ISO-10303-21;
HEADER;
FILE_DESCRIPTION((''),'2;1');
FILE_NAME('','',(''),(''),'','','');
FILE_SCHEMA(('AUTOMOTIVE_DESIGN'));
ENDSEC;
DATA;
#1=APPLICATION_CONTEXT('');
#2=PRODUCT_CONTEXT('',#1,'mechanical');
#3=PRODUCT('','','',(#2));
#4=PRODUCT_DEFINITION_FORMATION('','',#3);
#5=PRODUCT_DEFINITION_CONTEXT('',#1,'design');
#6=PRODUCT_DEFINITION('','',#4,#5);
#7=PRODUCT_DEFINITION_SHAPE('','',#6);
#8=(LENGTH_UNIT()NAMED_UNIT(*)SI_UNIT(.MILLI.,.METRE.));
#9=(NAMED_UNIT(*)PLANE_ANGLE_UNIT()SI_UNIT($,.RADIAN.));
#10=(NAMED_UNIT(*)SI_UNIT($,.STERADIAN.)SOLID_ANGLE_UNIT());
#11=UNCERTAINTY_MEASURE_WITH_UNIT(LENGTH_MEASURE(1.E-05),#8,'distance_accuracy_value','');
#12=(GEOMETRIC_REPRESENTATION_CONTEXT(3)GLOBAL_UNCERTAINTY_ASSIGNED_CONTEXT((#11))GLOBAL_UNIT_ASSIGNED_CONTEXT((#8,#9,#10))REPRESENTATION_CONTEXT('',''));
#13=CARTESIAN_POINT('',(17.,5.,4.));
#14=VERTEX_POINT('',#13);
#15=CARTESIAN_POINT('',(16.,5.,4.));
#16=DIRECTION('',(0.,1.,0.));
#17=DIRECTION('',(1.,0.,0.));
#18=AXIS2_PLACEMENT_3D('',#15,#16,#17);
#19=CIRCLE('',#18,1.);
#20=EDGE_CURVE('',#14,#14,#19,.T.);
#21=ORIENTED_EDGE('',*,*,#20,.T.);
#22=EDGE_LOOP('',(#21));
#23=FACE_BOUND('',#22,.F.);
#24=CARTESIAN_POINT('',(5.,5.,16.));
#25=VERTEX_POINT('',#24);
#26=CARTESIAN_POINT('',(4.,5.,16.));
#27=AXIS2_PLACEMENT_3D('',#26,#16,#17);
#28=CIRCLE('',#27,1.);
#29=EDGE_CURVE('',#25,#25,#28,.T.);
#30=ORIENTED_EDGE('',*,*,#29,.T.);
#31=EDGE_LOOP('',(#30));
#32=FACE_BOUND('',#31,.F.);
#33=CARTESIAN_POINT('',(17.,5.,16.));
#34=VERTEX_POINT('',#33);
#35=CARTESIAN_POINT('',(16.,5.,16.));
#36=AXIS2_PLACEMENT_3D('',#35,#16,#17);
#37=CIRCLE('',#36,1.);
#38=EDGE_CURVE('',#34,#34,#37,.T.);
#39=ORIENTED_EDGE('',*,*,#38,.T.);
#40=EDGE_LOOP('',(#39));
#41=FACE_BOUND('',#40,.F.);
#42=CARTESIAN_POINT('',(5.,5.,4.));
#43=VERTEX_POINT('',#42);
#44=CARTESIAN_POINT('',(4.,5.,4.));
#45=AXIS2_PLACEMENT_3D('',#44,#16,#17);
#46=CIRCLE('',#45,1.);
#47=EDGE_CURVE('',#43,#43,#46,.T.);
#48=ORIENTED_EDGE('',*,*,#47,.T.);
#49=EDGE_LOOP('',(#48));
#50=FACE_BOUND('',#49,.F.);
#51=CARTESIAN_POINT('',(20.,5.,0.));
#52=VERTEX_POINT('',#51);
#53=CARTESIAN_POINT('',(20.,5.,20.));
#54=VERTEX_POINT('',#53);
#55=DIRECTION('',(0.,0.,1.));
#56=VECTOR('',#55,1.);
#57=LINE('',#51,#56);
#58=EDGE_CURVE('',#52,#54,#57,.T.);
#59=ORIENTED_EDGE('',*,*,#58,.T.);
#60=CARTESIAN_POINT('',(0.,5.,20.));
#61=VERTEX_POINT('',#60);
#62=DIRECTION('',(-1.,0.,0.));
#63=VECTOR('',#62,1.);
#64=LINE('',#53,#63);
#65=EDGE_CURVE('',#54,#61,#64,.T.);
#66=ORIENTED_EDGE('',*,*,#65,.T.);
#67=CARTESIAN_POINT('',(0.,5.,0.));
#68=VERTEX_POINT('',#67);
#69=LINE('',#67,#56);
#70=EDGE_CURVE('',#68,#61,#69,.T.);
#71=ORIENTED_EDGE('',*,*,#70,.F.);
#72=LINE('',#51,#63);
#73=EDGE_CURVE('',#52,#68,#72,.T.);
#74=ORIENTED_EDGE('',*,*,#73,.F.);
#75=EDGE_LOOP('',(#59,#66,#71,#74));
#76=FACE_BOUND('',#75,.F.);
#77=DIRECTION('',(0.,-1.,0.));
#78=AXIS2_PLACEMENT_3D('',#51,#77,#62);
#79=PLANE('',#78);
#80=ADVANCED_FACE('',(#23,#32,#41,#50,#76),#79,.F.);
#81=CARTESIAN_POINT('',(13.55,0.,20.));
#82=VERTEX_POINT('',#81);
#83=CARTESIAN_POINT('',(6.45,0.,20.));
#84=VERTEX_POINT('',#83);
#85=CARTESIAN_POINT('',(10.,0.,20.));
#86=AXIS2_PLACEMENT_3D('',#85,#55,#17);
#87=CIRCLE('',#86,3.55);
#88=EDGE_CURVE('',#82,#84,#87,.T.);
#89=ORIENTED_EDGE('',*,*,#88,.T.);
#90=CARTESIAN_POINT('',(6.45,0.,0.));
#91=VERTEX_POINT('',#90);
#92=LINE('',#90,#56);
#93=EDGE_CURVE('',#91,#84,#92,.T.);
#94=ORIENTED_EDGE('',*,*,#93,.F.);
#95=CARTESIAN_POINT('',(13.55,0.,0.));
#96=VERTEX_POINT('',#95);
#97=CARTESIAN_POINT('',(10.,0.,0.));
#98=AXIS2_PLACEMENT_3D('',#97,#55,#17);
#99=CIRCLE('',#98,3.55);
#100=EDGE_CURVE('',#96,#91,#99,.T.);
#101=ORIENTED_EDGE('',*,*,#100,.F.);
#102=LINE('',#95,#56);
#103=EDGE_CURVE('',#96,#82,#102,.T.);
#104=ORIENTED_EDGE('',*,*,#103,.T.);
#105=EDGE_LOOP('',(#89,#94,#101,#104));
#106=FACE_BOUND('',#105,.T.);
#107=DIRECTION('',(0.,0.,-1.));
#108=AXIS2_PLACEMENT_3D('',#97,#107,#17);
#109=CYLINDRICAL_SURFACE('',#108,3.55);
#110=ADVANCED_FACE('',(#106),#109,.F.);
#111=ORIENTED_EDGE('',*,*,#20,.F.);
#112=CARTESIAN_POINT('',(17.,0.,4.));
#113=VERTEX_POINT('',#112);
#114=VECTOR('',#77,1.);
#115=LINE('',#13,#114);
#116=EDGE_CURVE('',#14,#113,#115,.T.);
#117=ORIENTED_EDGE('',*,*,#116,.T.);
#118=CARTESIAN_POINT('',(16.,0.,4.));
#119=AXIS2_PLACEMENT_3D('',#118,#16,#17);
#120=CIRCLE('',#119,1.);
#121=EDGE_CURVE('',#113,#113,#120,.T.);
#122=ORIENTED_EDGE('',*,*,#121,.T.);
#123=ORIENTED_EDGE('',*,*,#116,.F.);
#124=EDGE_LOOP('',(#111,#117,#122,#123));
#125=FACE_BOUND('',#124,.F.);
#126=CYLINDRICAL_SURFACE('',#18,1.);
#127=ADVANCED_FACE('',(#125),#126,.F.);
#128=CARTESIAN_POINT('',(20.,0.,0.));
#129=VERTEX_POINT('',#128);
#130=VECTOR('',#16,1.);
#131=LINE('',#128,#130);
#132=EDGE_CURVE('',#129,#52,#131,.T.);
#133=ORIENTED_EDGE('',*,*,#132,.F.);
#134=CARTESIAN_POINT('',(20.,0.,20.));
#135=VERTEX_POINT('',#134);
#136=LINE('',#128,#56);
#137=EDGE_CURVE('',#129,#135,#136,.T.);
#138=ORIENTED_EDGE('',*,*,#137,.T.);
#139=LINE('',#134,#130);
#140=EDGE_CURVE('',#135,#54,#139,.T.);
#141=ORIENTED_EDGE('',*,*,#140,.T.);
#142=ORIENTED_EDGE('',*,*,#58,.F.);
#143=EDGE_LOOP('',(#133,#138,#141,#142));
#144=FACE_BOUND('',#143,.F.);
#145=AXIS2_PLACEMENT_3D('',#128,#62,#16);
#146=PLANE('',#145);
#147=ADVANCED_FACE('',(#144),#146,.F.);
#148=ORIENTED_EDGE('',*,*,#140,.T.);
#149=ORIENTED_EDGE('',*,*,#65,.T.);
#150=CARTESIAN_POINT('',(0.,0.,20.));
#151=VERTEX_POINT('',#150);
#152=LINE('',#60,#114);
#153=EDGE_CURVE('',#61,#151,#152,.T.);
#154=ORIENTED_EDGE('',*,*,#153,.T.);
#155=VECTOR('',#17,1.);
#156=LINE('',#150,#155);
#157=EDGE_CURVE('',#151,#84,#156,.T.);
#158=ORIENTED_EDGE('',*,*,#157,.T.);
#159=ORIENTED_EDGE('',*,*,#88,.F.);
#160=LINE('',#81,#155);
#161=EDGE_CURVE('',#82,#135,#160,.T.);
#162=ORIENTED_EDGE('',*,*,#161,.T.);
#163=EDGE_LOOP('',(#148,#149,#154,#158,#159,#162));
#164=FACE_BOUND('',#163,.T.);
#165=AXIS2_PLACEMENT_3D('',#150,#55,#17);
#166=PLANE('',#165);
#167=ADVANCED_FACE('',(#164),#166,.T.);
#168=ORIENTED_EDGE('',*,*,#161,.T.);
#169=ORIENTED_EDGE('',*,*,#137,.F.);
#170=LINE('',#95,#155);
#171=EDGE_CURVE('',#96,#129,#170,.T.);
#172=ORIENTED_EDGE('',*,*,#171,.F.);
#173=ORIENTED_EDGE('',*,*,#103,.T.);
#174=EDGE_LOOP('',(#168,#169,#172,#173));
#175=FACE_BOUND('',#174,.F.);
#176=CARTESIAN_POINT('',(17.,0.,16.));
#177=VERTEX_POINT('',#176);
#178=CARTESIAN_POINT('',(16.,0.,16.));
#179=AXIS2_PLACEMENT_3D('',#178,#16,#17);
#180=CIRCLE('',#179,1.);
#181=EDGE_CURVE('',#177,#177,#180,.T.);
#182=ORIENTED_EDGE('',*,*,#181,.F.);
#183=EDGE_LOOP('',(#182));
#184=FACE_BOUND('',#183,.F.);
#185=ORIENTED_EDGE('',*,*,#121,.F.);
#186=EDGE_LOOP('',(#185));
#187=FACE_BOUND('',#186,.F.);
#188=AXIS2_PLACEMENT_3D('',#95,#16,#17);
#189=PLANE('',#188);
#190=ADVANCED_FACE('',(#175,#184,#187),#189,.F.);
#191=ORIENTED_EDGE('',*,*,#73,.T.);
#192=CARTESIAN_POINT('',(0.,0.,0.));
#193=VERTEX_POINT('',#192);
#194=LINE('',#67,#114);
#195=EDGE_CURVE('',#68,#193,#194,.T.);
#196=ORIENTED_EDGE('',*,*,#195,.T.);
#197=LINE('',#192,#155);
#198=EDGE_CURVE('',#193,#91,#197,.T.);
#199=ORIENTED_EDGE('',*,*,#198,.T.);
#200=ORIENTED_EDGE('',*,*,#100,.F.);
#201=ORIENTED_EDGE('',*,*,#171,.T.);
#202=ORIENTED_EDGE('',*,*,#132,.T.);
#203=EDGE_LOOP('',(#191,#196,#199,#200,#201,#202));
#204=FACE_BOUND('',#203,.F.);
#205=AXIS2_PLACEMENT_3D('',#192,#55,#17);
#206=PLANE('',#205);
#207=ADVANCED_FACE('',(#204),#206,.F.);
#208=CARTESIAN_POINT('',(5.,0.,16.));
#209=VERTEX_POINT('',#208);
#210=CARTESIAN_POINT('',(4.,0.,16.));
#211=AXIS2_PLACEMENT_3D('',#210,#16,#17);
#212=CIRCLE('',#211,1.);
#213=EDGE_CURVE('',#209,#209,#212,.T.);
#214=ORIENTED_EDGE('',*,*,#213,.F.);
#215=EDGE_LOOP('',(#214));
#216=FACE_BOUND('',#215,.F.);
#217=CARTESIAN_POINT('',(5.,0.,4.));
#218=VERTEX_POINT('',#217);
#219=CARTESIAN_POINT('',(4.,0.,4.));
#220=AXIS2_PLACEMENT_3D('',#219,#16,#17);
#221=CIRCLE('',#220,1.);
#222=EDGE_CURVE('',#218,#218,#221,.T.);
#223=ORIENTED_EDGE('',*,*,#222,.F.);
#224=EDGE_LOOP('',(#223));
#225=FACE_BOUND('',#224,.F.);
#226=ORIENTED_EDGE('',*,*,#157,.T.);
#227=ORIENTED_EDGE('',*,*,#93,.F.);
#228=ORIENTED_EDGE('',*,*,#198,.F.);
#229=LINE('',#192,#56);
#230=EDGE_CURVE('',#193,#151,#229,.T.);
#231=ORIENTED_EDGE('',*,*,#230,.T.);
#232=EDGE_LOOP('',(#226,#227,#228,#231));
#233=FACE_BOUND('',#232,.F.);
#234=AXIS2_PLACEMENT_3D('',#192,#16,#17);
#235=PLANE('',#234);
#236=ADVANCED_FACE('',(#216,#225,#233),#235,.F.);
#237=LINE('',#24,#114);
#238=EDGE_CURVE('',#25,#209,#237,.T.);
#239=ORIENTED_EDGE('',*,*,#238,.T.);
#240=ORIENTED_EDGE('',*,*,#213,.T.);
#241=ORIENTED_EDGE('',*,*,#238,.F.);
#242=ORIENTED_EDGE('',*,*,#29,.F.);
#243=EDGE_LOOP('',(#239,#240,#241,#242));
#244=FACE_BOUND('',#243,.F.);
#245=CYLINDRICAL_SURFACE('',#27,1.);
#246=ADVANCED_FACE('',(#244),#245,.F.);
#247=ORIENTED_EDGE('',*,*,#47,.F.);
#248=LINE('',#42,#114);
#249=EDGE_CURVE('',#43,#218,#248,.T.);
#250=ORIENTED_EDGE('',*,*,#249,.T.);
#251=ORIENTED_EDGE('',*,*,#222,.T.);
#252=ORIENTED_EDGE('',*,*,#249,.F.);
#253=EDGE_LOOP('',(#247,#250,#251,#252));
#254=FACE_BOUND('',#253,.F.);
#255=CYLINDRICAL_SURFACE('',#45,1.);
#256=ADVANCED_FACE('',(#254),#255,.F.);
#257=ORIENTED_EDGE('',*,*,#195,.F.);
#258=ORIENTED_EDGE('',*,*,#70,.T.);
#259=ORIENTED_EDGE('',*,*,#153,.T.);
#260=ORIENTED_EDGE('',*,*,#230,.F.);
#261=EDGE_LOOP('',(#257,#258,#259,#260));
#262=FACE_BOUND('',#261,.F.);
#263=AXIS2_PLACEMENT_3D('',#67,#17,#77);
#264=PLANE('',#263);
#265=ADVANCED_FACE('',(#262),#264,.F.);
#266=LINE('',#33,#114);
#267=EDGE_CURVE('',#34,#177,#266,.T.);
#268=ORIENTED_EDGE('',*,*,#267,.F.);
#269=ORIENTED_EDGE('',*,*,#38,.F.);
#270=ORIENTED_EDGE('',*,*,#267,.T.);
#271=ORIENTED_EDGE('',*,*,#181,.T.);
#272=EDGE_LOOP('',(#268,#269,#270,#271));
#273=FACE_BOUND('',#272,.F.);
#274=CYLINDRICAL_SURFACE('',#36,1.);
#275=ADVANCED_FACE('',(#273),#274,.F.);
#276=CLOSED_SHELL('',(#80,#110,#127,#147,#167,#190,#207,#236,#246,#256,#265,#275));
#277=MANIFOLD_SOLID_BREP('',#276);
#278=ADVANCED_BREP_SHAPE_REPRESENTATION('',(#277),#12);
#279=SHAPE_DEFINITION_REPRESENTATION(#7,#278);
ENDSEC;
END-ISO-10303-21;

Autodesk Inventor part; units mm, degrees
ref_plane "YZ Plane" through (0, 0, 0) normal (1, 0, 0) x (0, 1, 0)
ref_plane "XZ Plane" through (0, 0, 0) normal (0, 1, 0) x (-1, 0, 0)
ref_plane "XY Plane" through (0, 0, 0) normal (0, 0, 1) x (1, 0, 0)
sketch "Эскиз1" plane through (0, 0, 0) normal (0, 0, 1) x (1, 0, 0)
  line L0 (20, 0) -> (20, 5)
  line L1 (20, 5) -> (0, 5)
  line L2 (0, 5) -> (0, 0)
  arc A0 (13.55, 0) -> (6.45, 0) centre (10, 0) ccw
  line L3 (0, 0) -> (6.45, 0)
  line L4 (13.55, 0) -> (20, 0)
  dimension "d0" = 20
  dimension "d1" = 5
  dimension "d2" = 7.1
extrude "Выдавливание1" add sketch "Эскиз1" along normal blind 20
sketch "Эскиз2" plane through (0, 5, 0) normal (0, 1, 0) x (1, 0, 0)
  circle A0 centre (4, -4) radius 1
  circle A1 centre (4, -16) radius 1
  line L0 (13.55, -20) -> (6.45, -20) projected
  line L1 (6.45, 0) -> (13.55, 0) projected
  circle A2 centre (16, -4) radius 1
  circle A3 centre (16, -16) radius 1
  point P0 (0, 0)
  dimension "d5" = 2
extrude "Выдавливание2" cut sketch "Эскиз2" against normal blind 30
properties part number "push_wall"
